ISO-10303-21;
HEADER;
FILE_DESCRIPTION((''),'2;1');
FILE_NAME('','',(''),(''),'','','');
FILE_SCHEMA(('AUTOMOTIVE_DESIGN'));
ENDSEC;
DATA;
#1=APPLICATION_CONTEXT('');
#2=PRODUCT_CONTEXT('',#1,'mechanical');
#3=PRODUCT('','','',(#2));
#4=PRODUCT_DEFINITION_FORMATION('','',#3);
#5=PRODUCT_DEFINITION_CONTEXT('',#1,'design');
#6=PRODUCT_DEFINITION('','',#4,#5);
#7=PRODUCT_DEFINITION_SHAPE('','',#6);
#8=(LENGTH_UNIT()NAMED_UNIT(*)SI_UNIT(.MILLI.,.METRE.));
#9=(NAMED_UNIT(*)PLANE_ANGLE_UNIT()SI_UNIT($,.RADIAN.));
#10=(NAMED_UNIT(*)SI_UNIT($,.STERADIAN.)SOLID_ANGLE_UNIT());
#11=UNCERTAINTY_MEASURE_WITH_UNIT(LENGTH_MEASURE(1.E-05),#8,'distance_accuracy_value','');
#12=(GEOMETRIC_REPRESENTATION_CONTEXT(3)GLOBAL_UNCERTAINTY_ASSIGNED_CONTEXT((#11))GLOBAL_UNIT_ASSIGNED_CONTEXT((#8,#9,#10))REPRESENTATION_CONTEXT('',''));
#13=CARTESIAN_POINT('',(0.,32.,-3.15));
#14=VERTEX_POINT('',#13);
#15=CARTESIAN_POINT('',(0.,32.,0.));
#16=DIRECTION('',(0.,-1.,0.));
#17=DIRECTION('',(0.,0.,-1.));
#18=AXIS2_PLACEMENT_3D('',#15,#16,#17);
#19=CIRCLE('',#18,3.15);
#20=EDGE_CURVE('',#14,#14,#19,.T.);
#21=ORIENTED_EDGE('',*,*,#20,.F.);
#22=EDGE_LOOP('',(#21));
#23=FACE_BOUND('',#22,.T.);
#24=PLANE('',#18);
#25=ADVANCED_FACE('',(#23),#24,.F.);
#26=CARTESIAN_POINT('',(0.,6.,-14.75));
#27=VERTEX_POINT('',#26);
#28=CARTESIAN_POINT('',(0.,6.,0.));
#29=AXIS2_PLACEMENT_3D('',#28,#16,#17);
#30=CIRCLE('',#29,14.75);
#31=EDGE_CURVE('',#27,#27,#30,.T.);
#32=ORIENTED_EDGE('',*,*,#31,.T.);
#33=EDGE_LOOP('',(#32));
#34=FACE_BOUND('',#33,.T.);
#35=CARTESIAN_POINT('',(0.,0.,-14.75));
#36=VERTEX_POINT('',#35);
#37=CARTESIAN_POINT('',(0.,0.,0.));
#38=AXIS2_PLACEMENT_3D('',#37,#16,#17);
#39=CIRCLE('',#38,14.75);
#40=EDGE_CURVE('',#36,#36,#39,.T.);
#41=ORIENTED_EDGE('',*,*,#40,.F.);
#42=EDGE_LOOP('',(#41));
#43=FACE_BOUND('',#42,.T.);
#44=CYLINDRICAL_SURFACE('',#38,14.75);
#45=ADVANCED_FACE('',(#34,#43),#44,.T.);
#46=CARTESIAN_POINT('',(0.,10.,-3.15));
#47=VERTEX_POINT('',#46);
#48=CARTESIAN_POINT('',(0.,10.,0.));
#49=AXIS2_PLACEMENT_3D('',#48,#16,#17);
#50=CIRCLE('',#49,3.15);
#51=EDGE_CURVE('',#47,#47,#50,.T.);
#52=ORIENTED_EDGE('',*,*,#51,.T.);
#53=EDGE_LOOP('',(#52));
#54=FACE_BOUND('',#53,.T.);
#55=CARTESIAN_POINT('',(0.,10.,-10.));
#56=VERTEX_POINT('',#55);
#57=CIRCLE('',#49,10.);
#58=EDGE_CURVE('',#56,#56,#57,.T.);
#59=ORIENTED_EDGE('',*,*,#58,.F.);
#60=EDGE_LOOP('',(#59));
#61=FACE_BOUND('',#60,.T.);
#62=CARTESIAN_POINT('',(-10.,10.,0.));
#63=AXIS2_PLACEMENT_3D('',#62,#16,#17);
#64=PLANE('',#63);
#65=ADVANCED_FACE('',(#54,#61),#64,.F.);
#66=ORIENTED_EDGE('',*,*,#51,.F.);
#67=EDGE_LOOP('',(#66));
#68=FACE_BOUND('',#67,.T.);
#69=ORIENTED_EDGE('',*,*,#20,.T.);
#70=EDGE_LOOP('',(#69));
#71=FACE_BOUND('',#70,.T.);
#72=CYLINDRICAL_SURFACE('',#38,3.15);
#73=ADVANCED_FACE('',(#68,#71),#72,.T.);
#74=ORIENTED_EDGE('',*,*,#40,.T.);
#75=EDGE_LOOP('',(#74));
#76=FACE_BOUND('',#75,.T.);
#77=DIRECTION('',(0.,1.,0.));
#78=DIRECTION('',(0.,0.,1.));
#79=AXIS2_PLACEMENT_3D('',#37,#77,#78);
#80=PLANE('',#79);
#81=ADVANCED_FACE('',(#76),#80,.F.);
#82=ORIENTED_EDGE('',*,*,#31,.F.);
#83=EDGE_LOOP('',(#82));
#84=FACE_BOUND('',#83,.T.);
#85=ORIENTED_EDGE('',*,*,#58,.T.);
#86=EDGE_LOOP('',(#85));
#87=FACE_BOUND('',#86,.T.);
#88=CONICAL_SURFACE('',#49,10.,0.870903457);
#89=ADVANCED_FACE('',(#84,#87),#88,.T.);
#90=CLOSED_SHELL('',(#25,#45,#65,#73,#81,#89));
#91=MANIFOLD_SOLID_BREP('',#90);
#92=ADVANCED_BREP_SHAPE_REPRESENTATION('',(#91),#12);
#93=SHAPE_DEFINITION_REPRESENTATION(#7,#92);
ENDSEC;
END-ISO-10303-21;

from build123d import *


with BuildPart() as part:
    # Esboço1 → Revolução1 (revolve)
    with BuildSketch(Plane.XY, mode=Mode.PRIVATE) as revolu_o1_sk:
        Polygon((0, 0), (0, 32), (-3.15, 32), (-3.15, 10), (-10, 10), (-14.75, 6), (-14.75, 0), align=None)
    revolve(revolu_o1_sk.sketch.rotate(Axis((0, 0, 0), (0, 1, 0)), 270), axis=Axis((0, 0, 0), (0, 1, 0)))


solid = part.part
